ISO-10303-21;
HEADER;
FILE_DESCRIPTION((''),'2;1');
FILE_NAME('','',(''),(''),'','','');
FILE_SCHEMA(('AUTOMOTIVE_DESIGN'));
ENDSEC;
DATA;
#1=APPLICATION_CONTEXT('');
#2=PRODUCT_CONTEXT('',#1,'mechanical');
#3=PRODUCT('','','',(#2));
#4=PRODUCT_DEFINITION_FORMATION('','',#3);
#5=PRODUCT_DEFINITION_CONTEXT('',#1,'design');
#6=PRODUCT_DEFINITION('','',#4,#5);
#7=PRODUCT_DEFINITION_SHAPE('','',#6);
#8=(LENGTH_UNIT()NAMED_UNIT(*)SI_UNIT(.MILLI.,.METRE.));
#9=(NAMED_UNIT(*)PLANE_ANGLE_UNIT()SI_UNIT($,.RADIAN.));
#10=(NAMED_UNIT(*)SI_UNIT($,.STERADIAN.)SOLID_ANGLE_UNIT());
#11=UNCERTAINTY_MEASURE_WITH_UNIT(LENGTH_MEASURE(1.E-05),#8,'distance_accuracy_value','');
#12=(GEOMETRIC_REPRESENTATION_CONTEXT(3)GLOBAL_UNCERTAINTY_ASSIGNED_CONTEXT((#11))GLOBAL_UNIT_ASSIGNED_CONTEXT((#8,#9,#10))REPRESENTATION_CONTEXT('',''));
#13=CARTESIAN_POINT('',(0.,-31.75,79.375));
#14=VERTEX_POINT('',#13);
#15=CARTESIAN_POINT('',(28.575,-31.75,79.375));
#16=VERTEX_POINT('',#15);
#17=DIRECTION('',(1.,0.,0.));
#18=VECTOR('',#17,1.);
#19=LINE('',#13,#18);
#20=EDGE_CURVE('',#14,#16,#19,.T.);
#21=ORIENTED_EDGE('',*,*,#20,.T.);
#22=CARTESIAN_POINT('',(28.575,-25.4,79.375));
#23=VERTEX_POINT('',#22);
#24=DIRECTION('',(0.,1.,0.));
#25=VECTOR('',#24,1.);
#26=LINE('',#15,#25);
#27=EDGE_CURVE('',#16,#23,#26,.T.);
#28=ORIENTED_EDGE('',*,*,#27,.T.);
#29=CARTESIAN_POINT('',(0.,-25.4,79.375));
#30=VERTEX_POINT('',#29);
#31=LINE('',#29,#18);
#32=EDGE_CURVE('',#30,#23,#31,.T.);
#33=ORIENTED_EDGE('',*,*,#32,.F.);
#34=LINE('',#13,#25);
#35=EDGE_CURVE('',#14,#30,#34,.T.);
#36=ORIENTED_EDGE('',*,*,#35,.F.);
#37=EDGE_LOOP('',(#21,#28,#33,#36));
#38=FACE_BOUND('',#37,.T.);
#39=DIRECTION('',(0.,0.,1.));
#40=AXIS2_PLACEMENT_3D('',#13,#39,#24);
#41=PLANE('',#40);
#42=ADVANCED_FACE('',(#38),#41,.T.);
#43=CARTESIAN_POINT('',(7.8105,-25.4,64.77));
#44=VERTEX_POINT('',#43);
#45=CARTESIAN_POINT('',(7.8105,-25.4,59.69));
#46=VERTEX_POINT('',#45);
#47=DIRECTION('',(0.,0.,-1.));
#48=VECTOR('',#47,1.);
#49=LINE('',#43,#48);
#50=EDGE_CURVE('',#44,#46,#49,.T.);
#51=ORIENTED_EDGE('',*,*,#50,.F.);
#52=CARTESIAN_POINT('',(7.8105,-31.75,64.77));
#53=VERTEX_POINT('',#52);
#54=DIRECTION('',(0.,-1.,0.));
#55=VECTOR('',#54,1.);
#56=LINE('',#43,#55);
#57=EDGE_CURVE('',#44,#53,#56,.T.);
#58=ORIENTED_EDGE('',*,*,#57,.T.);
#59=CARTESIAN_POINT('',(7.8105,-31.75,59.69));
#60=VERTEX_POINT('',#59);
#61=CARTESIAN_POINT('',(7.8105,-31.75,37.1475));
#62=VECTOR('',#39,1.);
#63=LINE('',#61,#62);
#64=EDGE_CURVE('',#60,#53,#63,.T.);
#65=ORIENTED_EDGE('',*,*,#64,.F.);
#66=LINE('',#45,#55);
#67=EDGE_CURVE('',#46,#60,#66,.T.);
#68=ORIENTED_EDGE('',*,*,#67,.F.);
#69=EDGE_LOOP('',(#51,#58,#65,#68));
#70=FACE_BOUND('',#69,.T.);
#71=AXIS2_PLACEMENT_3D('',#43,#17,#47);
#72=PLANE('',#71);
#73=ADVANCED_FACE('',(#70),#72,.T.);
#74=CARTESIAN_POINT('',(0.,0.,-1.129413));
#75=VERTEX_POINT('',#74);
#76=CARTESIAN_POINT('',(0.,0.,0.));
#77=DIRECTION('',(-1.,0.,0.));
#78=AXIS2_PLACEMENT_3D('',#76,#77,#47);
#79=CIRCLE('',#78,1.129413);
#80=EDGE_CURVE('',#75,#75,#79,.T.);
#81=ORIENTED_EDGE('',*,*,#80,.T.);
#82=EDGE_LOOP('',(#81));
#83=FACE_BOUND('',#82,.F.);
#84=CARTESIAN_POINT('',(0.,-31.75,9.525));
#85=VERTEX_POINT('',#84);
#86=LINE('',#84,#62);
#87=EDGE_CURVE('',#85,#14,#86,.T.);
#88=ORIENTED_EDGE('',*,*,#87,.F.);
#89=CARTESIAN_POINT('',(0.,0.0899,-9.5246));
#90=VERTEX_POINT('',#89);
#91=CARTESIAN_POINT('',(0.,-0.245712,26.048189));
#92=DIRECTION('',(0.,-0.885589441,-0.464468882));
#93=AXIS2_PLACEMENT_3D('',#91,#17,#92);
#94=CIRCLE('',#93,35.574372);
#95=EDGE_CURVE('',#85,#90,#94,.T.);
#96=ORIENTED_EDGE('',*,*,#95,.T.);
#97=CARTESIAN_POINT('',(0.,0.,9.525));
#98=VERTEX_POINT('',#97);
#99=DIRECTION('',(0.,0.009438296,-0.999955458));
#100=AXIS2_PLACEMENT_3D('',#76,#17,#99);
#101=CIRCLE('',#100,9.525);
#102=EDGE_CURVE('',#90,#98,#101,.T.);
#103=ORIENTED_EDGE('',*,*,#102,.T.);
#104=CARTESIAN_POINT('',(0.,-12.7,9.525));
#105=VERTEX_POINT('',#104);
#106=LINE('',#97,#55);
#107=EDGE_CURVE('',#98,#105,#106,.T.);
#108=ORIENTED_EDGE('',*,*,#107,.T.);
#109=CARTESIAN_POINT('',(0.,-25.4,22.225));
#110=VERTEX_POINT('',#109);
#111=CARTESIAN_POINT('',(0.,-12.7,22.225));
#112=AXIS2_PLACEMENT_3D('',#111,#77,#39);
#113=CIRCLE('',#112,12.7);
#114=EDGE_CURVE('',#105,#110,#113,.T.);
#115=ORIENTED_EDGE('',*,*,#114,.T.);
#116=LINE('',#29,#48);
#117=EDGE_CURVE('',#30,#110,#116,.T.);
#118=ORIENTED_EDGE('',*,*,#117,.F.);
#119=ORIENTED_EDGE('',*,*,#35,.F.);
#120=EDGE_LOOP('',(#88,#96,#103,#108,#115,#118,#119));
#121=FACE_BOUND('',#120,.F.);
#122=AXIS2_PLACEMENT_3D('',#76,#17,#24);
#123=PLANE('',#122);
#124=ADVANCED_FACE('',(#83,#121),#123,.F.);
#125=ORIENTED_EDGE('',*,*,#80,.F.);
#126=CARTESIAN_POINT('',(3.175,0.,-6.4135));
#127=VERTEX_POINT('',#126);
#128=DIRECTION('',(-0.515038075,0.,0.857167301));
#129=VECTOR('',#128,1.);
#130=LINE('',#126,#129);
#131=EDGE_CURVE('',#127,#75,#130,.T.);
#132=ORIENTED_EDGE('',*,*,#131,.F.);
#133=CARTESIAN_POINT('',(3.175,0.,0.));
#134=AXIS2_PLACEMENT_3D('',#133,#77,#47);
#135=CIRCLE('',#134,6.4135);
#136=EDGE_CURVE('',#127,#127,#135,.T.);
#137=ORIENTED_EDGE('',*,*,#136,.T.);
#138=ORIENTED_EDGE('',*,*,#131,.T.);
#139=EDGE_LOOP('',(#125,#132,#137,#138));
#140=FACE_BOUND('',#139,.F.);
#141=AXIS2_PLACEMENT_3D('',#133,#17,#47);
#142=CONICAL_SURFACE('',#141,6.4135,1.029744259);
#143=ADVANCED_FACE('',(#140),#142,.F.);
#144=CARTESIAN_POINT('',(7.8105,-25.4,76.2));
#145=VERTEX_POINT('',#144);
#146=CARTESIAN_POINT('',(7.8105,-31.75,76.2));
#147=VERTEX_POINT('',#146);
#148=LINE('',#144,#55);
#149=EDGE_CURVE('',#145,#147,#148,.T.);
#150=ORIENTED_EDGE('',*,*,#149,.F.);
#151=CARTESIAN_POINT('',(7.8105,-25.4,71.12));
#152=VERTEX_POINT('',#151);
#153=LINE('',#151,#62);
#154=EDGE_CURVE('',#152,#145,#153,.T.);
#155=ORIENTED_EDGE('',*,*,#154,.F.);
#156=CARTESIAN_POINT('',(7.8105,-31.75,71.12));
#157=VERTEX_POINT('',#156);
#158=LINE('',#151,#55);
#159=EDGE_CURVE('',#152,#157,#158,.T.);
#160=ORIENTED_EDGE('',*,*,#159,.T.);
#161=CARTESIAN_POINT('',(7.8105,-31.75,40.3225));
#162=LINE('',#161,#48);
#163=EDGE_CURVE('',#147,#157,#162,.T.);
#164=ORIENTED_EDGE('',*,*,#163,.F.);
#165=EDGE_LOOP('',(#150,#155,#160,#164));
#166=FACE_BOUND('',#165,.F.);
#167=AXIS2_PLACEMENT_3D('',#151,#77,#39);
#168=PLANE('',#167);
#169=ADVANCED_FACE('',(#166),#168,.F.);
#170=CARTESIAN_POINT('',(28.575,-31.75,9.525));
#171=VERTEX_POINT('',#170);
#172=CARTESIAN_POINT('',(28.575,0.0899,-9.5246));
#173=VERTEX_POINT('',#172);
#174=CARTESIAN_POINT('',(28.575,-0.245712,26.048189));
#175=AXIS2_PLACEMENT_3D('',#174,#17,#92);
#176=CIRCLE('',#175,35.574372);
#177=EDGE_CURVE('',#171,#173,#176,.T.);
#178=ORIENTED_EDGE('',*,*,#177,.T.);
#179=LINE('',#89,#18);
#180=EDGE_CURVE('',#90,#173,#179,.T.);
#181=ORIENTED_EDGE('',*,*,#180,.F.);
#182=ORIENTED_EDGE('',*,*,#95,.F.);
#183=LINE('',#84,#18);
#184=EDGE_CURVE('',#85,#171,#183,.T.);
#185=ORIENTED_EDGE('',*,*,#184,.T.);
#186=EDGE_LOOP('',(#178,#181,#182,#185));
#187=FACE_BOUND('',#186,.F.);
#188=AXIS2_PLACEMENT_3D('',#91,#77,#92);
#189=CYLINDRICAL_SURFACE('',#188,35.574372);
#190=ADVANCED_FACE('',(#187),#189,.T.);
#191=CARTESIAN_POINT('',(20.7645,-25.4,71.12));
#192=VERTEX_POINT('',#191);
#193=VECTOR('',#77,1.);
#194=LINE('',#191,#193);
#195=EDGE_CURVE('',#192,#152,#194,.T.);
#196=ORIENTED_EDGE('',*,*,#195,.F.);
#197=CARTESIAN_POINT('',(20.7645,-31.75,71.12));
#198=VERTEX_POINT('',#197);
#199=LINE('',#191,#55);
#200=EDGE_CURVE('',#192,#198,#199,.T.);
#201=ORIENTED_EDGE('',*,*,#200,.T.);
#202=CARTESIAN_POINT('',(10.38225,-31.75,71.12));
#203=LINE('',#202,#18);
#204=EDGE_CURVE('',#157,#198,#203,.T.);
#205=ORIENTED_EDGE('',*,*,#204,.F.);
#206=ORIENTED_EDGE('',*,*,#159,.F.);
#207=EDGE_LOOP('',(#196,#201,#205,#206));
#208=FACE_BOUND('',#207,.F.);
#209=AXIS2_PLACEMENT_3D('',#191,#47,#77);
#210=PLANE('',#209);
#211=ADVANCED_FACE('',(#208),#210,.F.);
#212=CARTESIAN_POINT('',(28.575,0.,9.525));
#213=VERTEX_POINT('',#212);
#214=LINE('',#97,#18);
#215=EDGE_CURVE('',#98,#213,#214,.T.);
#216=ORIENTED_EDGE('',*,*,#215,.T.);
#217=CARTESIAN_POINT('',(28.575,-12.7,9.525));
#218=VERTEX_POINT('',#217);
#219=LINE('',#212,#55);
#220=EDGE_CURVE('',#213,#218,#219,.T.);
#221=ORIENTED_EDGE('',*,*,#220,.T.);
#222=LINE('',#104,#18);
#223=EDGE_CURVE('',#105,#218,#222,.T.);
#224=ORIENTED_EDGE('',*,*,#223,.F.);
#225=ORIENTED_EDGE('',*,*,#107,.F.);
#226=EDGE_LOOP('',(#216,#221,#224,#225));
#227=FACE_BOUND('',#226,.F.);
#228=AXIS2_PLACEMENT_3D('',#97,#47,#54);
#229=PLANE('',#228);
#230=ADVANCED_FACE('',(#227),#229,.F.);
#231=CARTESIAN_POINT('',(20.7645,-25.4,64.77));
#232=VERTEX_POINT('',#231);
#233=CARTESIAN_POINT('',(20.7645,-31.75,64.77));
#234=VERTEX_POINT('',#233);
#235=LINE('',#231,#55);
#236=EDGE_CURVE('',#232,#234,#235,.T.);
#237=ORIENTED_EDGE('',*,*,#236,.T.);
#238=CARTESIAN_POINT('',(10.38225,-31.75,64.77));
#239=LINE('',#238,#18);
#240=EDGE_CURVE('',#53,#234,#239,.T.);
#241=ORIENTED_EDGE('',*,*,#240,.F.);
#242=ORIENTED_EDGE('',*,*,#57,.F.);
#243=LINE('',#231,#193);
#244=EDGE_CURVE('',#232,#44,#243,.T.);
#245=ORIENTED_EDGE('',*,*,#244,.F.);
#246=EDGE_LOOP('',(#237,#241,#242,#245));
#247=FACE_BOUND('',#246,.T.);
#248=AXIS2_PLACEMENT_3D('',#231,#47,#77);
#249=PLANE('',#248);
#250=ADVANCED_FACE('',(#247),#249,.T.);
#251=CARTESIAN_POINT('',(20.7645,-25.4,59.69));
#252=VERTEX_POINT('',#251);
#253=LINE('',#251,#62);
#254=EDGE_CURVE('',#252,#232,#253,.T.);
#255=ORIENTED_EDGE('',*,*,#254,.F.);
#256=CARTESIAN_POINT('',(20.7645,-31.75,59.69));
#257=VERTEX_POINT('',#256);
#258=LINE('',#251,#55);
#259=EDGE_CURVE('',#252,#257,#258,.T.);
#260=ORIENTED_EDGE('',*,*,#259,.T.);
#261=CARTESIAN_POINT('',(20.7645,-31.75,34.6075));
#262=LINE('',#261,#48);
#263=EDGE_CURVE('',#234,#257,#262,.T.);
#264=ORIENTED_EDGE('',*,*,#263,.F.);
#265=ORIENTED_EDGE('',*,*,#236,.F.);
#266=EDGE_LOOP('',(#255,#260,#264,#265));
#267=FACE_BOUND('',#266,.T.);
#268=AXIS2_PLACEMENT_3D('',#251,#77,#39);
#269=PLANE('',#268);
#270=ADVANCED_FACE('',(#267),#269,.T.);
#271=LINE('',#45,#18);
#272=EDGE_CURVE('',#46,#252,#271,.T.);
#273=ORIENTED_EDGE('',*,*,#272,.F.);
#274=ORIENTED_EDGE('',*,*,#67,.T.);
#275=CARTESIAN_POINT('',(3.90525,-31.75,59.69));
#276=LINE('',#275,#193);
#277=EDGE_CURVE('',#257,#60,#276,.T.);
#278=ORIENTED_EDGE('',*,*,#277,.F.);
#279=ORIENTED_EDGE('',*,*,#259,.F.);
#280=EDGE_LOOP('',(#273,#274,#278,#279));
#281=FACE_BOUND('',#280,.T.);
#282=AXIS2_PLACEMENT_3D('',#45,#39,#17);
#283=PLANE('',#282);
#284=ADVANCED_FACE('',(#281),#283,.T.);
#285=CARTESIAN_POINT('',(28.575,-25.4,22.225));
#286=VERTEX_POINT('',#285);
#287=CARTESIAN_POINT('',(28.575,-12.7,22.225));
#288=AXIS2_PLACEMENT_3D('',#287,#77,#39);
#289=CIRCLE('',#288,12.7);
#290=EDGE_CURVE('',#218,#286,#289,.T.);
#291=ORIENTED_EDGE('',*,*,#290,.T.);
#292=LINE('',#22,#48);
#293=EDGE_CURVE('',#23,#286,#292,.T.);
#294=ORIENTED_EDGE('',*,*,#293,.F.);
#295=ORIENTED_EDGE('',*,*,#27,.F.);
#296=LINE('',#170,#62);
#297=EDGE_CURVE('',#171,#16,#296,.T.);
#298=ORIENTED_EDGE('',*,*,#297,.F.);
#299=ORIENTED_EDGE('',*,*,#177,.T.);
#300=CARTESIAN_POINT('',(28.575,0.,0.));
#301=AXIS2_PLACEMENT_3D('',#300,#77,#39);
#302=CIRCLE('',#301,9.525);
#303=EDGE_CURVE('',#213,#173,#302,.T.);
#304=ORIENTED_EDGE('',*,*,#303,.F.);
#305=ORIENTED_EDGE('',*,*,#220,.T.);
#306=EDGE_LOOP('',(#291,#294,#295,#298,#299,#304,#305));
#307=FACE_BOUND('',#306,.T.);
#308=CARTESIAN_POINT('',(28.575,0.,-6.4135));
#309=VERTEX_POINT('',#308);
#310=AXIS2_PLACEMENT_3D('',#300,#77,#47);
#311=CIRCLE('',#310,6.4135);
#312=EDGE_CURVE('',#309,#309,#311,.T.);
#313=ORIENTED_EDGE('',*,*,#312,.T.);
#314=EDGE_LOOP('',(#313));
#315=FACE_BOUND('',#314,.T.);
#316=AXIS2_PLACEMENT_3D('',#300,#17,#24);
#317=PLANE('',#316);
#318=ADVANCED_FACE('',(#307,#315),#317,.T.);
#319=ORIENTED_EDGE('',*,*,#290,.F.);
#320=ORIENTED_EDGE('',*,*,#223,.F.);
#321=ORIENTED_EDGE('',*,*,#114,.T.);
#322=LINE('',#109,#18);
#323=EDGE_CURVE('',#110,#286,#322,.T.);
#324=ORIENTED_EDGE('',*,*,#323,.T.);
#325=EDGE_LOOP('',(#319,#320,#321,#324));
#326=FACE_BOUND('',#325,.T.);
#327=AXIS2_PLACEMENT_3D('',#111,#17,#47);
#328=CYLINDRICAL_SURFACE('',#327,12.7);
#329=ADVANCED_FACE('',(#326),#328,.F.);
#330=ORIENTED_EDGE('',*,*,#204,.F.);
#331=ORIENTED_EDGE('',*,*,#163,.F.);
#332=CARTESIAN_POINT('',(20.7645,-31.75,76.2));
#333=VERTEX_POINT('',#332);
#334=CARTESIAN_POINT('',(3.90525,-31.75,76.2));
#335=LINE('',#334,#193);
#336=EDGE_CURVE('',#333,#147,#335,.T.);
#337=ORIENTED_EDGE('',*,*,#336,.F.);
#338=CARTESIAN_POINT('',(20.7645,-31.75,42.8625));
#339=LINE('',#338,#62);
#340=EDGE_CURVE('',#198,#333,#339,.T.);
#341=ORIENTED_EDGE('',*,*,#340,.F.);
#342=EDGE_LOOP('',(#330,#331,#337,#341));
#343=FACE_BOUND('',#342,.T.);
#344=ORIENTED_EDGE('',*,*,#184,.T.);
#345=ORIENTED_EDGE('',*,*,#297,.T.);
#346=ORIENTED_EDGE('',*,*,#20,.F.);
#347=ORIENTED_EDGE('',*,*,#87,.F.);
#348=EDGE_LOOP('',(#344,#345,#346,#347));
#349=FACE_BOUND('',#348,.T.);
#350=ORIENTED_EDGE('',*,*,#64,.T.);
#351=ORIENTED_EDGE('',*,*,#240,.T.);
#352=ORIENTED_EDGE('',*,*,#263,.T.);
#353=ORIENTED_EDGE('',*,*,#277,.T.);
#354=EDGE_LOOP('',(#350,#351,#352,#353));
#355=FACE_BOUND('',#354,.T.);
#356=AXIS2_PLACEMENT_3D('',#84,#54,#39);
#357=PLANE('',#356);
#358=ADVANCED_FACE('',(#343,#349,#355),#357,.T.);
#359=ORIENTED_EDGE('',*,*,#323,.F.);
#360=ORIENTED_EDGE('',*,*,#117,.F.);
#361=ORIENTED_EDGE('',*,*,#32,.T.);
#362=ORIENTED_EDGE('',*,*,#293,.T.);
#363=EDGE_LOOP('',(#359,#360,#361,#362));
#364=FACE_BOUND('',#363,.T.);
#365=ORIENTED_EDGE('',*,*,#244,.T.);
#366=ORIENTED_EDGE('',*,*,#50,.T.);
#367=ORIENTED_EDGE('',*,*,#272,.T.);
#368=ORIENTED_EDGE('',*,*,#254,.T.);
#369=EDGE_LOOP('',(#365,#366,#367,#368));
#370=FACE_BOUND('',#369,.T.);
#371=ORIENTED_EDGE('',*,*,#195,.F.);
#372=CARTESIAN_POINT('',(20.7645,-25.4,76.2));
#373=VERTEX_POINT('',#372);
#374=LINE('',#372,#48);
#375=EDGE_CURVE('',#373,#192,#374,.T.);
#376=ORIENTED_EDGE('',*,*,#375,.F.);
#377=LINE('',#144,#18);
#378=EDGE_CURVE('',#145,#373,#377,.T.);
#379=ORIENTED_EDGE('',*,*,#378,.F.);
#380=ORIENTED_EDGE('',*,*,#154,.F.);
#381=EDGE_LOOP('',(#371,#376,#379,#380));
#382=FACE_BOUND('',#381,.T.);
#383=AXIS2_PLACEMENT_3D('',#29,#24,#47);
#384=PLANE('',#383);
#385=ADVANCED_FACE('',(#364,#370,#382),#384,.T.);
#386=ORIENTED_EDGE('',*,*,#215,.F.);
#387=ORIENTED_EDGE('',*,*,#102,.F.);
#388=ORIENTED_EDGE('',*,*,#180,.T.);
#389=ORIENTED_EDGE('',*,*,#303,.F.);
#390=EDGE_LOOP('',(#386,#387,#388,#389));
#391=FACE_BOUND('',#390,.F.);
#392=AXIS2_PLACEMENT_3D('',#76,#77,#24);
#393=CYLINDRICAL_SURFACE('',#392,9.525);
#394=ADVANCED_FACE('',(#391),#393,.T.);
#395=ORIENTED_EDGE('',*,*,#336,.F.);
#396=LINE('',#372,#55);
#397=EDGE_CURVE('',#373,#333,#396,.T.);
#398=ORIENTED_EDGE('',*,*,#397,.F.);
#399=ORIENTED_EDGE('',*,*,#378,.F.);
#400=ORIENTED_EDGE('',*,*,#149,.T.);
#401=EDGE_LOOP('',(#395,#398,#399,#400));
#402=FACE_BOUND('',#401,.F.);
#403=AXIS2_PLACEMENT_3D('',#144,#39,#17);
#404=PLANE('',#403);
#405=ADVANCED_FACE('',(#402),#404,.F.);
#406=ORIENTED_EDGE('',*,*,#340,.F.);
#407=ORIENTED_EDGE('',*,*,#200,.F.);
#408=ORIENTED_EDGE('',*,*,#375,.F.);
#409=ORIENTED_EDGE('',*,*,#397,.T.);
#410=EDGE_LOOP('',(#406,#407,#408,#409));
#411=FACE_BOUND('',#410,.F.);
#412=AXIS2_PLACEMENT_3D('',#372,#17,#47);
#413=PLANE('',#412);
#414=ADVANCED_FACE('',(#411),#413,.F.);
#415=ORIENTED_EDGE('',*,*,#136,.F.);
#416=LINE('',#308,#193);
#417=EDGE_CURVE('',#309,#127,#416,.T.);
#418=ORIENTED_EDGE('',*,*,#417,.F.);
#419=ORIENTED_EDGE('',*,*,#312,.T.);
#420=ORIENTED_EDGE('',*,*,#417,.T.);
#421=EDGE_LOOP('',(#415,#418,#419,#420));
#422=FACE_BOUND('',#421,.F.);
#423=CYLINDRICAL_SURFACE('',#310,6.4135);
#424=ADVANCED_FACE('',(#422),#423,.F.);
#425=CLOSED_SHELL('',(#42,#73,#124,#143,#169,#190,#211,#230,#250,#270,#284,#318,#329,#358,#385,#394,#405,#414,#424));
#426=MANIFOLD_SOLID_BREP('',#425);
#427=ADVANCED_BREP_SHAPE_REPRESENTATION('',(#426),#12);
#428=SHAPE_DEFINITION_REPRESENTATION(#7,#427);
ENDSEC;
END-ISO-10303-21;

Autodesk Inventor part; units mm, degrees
ref_plane "YZ Plane" through (0, 0, 0) normal (1, 0, 0) x (0, 1, 0)
ref_plane "XZ Plane" through (0, 0, 0) normal (0, 1, 0) x (-1, 0, 0)
ref_plane "XY Plane" through (0, 0, 0) normal (0, 0, 1) x (1, 0, 0)
sketch "Sketch1" plane through (0, 0, 0) normal (1, 0, 0) x (0, 1, 0)
  circle A0 centre (0, 0) radius 9.525
  line L0 (0, 9.525) -> (-25.4, 9.525)
  line L1 (-31.75, 9.525) -> (-31.75, 79.375)
  line L2 (-31.75, 79.375) -> (-25.4, 79.375)
  line L3 (-25.4, 79.375) -> (-25.4, 9.525)
  arc A1 (-31.75, 9.525) -> (0.0899, -9.5246) centre (-0.2457, 26.0482) ccw
  dimension "d0" = 19.05
  dimension "d4" = 25.4
  dimension "d5" = 69.85
  dimension "d6" = 6.35
extrude "Extrusion1" add sketch "Sketch1" along normal blind 28.575
fillet "Fillet1" radius 12.7 1 edges at (14.2875, -25.4, 9.525)
sketch "Sketch2" plane through (28.575, 0, 0) normal (1, 0, 0) x (0, 0, -1)
  line L0 (-9.525, 0) -> (-9.525, -12.7) projected
  arc A0 (-22.225, -25.4) -> (-9.525, -12.7) centre (-22.225, -12.7) ccw projected
  line L1 (-22.225, -25.4) -> (-79.375, -25.4) projected
  line L2 (-79.375, -25.4) -> (-79.375, -31.75) projected
  line L3 (-79.375, -31.75) -> (-9.525, -31.75) projected
  arc A1 (-9.525, -31.75) -> (9.5246, 0.0899) centre (-26.0482, -0.2457) ccw projected
  arc A2 (9.5246, 0.0899) -> (-9.525, 0) centre (0, 0) ccw projected
hole "Hole1" at (28.575, 0, 0) direction (-1, 0, 0) diameter 12.827 depth 25.4 tip angle 118
sketch "Sketch3" plane through (0, -25.4, 79.375) normal (0, 1, 0) x (1, 0, 0)
  line L0 (0, 57.15) -> (28.575, 57.15) projected
  line L1 (0, 57.15) -> (0, 0) projected
  line L2 (0, 0) -> (28.575, 0) projected
  line L3 (28.575, 57.15) -> (28.575, 0) projected
  line L4 (7.8105, 3.175) -> (20.7645, 3.175)
  line L5 (20.7645, 3.175) -> (20.7645, 8.255)
  line L6 (20.7645, 8.255) -> (7.8105, 8.255)
  line L7 (7.8105, 8.255) -> (7.8105, 3.175)
  line L8 (7.8105, 19.685) -> (20.7645, 19.685)
  line L9 (20.7645, 19.685) -> (20.7645, 14.605)
  line L10 (20.7645, 14.605) -> (7.8105, 14.605)
  line L11 (7.8105, 14.605) -> (7.8105, 19.685)
  point P0 (0, 79.375)
  dimension "d17" = 12.954
  dimension "d18" = 5.08
  dimension "d19" = 7.8105
  dimension "d20" = 28.575
  dimension "d21" = 3.175
  dimension "d22" = 5.08
  dimension "d23" = 6.35
  dimension "d24" = 12.954
extrude "Extrusion2" cut sketch "Sketch3" against normal blind 25.4 contours L7 L6 L5 L4 | L8 L9 L10 L11
equation "\"d19\" = -0.5 * d17 + 0.5 * d20"
properties part number "WheelIntakeBase3.0"
